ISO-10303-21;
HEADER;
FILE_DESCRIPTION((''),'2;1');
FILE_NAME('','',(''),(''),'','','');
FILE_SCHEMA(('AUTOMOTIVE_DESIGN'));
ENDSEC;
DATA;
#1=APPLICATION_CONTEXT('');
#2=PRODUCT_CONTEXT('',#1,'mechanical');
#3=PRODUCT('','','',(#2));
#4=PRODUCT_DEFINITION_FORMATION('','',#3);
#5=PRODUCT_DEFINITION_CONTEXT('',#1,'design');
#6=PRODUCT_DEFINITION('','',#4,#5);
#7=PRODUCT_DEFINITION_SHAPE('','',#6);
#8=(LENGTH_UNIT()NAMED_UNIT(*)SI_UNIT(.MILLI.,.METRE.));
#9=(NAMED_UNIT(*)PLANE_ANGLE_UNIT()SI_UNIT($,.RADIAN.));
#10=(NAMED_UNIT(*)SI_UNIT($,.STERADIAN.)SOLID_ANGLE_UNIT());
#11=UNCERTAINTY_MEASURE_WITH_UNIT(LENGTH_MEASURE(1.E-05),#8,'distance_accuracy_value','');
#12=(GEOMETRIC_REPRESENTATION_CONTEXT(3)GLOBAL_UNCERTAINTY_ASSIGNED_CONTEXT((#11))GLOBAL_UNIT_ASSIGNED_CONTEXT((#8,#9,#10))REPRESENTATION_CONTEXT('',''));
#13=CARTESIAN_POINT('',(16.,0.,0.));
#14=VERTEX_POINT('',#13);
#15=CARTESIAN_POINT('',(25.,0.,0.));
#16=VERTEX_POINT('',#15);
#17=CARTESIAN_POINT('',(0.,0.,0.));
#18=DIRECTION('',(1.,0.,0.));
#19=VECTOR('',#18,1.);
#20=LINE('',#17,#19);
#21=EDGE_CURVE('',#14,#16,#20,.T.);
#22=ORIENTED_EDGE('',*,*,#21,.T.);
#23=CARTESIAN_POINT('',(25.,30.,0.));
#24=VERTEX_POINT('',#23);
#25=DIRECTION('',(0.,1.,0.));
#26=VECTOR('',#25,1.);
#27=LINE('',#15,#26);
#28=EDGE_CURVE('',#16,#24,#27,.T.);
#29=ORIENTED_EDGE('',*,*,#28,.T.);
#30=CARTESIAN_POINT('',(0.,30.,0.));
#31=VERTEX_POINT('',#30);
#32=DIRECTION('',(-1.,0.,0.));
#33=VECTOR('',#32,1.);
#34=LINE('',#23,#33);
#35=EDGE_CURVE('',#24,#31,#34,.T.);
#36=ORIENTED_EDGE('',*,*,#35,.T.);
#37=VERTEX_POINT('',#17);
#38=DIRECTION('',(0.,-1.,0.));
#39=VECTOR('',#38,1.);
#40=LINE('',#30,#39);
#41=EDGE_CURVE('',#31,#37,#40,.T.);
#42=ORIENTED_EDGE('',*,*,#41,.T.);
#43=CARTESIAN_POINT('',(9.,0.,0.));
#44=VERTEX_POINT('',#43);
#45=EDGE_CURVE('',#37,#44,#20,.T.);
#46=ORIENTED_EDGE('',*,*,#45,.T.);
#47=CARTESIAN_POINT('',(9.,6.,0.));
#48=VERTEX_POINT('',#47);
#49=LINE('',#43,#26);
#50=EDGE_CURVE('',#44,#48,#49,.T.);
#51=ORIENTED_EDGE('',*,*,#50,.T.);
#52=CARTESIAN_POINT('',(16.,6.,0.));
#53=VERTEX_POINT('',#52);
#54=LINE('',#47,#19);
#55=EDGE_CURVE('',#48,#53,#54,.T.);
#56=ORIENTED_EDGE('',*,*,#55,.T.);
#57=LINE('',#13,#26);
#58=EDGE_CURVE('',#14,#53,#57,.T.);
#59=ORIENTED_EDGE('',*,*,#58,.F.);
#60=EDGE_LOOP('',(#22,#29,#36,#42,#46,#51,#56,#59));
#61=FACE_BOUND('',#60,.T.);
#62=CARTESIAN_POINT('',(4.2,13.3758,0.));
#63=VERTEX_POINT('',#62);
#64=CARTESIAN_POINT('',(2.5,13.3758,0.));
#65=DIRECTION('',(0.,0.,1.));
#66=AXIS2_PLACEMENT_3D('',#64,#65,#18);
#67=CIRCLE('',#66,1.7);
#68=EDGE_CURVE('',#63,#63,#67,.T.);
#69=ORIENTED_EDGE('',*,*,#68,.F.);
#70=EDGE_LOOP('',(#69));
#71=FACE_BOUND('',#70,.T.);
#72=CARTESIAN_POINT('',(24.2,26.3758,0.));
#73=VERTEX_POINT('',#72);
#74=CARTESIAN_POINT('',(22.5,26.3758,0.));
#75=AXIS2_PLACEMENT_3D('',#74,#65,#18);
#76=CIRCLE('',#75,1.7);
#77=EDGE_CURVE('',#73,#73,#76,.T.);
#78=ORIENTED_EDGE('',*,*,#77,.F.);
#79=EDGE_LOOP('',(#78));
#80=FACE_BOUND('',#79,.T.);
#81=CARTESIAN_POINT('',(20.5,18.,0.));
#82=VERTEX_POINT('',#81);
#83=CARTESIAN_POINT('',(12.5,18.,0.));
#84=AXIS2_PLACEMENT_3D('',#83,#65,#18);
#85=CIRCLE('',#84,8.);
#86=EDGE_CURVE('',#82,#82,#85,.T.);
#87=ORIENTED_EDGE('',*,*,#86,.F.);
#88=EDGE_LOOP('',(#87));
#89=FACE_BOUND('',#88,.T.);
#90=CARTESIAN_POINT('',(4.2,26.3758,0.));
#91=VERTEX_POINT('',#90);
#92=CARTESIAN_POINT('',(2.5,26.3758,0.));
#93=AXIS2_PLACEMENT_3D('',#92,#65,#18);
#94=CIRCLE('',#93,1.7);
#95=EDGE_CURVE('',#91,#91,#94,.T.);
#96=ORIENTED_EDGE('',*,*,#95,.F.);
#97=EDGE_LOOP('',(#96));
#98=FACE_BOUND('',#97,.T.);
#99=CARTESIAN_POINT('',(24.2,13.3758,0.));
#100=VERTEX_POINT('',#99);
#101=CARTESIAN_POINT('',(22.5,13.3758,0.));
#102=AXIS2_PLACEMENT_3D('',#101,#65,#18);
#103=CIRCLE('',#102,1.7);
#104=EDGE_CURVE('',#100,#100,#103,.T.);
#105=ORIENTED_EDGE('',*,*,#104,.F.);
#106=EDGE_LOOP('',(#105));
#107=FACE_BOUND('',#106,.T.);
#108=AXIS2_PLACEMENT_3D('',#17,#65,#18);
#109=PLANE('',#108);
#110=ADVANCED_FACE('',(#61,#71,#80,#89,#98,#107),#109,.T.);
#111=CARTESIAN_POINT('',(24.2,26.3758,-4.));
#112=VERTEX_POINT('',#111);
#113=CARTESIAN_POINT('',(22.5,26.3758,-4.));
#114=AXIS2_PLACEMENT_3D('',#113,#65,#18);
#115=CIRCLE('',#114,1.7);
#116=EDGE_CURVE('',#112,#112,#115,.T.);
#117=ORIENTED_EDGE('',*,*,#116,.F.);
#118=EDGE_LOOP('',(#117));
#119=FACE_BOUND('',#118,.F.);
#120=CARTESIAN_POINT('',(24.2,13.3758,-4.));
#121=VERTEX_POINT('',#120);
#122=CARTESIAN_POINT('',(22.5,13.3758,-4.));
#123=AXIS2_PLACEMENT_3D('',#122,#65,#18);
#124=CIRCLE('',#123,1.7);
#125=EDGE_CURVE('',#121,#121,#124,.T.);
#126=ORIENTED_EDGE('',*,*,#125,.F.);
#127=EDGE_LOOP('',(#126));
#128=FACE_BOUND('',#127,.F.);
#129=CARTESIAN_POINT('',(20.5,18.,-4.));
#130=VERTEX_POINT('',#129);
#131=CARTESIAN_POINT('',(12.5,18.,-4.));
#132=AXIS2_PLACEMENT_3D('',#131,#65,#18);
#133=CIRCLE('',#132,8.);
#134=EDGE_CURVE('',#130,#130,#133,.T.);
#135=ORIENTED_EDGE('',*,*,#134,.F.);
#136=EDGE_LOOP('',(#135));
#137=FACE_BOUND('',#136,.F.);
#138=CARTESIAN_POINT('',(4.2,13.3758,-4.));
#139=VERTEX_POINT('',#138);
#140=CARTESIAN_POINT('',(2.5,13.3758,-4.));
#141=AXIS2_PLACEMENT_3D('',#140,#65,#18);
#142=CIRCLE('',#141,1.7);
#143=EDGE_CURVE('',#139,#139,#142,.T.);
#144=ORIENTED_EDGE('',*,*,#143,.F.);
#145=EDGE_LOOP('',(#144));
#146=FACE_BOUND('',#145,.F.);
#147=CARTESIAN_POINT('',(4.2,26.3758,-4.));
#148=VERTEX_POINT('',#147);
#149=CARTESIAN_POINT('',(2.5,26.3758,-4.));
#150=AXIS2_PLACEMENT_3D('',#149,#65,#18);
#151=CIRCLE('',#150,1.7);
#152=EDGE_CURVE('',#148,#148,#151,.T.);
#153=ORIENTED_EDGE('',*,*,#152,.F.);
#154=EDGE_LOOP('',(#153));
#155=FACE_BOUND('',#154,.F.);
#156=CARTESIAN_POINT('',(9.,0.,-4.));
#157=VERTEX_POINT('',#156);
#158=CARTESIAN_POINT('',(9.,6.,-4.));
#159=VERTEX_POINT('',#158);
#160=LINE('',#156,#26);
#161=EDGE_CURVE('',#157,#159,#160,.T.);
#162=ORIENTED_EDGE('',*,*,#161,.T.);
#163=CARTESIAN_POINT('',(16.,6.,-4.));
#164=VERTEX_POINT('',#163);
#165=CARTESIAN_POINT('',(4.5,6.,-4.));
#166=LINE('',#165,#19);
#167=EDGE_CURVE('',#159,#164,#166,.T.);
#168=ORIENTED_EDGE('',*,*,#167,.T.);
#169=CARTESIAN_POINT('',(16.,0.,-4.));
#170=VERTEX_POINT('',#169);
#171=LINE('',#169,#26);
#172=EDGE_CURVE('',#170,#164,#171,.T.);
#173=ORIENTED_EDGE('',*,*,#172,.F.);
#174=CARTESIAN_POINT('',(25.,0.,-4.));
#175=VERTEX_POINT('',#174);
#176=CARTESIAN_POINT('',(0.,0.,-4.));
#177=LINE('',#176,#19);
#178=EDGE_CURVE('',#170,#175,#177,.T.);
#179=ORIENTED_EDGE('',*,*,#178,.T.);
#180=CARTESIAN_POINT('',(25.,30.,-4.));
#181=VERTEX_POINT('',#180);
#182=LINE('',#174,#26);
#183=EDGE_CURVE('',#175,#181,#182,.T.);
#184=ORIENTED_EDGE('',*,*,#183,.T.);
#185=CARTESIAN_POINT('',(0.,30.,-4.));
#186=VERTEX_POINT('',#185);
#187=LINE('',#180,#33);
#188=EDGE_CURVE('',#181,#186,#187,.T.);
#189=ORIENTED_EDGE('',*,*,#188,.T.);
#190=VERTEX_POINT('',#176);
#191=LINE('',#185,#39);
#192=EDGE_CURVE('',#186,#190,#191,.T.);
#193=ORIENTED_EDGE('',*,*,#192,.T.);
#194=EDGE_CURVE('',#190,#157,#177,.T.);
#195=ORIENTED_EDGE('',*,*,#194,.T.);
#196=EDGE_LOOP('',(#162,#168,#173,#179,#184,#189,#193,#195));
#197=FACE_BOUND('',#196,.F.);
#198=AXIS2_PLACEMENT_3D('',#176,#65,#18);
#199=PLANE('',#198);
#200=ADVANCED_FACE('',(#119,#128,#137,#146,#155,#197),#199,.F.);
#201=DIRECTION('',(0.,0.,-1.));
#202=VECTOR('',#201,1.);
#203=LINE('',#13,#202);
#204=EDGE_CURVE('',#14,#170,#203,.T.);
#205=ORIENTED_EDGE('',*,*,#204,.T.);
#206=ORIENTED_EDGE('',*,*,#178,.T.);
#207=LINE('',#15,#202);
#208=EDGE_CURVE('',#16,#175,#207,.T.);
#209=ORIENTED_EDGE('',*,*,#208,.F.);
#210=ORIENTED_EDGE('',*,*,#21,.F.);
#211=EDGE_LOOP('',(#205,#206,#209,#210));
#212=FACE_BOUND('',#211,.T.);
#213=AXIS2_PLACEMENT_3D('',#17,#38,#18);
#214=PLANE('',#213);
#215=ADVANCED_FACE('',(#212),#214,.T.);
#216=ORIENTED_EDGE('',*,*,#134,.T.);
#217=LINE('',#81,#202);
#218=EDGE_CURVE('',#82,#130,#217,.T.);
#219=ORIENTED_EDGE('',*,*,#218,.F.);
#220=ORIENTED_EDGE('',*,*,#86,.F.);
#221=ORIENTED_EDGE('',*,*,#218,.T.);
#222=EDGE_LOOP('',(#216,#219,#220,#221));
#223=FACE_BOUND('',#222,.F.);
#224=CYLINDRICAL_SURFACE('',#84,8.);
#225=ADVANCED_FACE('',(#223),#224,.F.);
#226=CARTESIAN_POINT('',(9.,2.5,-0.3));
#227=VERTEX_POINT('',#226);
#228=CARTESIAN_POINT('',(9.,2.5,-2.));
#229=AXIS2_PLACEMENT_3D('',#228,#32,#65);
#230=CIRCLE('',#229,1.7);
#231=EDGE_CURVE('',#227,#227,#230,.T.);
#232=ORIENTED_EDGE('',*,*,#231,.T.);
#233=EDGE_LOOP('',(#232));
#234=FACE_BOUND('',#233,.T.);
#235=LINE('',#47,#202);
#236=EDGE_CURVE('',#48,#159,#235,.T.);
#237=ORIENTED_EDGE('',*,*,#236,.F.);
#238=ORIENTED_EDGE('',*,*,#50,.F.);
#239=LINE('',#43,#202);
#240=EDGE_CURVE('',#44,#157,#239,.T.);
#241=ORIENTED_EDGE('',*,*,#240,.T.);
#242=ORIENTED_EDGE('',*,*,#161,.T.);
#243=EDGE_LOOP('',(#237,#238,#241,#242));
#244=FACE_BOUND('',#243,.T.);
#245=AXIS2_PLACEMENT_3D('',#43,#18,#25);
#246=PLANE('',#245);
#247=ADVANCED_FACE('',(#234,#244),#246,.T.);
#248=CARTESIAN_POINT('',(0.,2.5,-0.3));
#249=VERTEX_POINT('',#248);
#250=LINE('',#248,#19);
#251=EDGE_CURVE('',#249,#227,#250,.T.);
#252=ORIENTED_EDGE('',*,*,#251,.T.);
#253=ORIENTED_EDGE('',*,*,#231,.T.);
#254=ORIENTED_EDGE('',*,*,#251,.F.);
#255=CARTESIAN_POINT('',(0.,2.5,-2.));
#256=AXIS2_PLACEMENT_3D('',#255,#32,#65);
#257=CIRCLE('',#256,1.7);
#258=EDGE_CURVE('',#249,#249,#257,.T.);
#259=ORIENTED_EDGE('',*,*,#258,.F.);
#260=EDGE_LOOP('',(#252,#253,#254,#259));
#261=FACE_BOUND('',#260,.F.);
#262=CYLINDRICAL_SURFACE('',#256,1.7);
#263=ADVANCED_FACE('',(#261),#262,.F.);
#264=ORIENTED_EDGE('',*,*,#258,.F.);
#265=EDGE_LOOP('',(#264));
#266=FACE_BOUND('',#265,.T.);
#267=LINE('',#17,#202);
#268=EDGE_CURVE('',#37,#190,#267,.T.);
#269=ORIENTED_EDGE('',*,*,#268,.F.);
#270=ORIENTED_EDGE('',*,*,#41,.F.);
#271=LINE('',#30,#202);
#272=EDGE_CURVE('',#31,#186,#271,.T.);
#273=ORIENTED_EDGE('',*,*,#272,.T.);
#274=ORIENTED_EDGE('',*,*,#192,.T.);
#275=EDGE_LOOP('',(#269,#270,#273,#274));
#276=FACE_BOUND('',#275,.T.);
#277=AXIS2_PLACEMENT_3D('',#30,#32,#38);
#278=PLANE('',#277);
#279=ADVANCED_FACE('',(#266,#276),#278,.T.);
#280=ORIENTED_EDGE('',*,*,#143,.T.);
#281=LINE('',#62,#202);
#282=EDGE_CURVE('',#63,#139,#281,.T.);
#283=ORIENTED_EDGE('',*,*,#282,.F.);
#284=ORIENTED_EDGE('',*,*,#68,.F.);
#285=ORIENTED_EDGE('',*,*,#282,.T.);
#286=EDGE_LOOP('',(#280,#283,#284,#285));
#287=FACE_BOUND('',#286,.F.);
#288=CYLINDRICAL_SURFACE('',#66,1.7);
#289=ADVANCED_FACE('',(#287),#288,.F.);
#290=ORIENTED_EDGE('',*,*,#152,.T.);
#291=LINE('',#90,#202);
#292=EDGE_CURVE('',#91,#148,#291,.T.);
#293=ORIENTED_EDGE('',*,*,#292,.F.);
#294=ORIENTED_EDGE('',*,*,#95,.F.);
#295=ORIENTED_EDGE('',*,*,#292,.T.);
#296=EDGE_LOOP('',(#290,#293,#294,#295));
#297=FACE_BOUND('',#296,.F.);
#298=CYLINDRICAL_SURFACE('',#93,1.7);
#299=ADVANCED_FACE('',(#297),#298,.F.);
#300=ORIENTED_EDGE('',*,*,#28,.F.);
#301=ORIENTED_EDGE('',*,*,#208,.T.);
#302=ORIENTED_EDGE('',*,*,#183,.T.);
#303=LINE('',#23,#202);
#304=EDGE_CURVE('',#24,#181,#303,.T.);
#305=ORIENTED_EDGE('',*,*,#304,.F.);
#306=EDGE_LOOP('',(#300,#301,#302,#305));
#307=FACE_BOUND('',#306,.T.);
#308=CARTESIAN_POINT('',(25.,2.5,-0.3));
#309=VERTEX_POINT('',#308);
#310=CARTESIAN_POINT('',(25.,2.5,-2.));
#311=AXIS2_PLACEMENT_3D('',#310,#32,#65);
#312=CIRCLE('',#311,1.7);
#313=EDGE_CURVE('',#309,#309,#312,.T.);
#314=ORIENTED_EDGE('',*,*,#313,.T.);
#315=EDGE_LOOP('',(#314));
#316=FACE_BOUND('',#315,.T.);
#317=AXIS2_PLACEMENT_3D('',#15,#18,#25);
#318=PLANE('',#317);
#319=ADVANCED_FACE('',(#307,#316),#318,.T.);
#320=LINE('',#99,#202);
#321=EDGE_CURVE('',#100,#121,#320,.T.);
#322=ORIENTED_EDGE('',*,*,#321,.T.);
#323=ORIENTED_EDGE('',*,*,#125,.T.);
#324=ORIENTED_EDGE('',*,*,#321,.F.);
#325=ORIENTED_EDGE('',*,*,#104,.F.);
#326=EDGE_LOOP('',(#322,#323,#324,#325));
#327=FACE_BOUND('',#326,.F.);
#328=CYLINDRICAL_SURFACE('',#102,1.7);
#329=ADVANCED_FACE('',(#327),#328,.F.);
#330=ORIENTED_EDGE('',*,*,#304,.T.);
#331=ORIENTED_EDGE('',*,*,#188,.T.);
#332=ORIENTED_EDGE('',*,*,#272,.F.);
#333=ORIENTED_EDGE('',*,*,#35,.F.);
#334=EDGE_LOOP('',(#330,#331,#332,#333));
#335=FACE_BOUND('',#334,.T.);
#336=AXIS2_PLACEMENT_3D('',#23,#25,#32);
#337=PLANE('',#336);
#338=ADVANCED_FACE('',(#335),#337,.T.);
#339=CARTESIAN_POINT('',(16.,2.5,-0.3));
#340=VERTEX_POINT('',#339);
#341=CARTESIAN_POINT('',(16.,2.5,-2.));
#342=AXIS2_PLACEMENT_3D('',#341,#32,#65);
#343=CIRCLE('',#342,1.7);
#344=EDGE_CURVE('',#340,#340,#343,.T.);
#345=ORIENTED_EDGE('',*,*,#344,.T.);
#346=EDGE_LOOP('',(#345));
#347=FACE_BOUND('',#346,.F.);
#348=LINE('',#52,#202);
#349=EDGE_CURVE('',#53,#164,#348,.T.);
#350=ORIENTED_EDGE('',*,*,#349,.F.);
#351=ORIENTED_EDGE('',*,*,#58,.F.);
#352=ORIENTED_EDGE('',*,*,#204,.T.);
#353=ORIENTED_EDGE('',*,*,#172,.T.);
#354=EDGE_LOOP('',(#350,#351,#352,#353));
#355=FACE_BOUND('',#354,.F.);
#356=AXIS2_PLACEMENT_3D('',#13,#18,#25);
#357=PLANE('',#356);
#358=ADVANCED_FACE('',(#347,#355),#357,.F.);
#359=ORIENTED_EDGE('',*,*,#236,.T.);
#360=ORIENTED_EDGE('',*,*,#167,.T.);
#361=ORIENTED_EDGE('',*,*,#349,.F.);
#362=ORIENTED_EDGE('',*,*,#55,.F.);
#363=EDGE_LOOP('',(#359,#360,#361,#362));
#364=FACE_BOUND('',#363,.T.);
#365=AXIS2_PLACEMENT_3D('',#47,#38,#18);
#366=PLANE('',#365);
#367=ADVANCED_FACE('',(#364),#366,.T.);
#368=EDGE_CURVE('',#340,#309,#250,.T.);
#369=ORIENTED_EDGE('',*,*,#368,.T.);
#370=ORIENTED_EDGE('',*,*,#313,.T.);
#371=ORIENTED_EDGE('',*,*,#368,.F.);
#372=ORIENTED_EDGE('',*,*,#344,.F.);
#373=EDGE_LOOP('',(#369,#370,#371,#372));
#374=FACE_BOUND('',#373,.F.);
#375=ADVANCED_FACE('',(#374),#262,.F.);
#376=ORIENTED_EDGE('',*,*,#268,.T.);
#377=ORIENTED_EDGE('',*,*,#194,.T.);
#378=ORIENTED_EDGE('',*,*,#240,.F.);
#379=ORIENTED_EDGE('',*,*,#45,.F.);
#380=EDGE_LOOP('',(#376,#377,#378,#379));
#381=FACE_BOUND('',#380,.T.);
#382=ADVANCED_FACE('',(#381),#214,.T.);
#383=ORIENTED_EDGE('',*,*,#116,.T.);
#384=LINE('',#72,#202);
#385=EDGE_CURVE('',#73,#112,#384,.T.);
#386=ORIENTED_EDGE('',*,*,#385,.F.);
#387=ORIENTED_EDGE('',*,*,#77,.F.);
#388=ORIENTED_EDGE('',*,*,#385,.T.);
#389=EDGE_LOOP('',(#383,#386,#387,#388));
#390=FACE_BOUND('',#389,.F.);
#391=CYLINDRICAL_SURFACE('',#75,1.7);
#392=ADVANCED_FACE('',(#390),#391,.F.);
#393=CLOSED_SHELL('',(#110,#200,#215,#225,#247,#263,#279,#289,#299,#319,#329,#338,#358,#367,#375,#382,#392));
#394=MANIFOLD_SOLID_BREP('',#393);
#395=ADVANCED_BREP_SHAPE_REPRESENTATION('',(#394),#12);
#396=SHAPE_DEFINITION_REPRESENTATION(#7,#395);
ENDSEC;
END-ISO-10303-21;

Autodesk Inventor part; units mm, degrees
ref_plane "YZ Plane" through (0, 0, 0) normal (1, 0, 0) x (0, 1, 0)
ref_plane "XZ Plane" through (0, 0, 0) normal (0, 1, 0) x (-1, 0, 0)
ref_plane "XY Plane" through (0, 0, 0) normal (0, 0, 1) x (1, 0, 0)
sketch "Skizze1" plane through (0, 0, 0) normal (0, 0, 1) x (1, 0, 0)
  line L0 (0, 0) -> (25, 0)
  line L1 (25, 0) -> (25, 30)
  line L2 (25, 30) -> (0, 30)
  line L3 (0, 30) -> (0, 0)
  dimension "d0" = 30
  dimension "d1" = 25
extrude "Extrusion1" add sketch "Skizze1" against normal blind 4
sketch "Skizze2" plane through (0, 0, 0) normal (0, 0, 1) x (1, 0, 0)
  circle A0 centre (12.5, 18) radius 8
  line L0 (25, 0) -> (25, 30) projected
  line L1 (0, 0) -> (25, 0) projected
  dimension "d4" = 16
  dimension "d5" = 12.5
  dimension "d6" = 18
extrude "Extrusion2" cut sketch "Skizze2" against normal blind 10
sketch "Skizze4" plane through (0, 0, 0) normal (0, 0, 1) x (1, 0, 0)
  line L0 (2.5, 13.3758) -> (22.5, 13.3758) construction
  line L1 (22.5, 13.3758) -> (22.5, 26.3758) construction
  line L2 (22.5, 26.3758) -> (2.5, 26.3758) construction
  line L3 (2.5, 26.3758) -> (2.5, 13.3758) construction
  line L4 (25, 0) -> (25, 30) construction
  circle A0 centre (2.5, 26.3758) radius 1.7
  circle A1 centre (22.5, 26.3758) radius 1.7
  circle A2 centre (22.5, 13.3758) radius 1.7
  circle A3 centre (2.5, 13.3758) radius 1.7
  point P0 (0, 0)
  point P1 (25, 3.0001)
  dimension "d12" = 20
  dimension "d13" = 13
  dimension "d14" = 2.5
  dimension "d15" = 3.4
  dimension "d16" = 3.4
  dimension "d17" = 3.4
  dimension "d18" = 3.4
extrude "Extrusion4" cut sketch "Skizze4" against normal blind 10
sketch "Skizze6" plane through (0, 0, 0) normal (0, 0, 1) x (1, 0, 0)
  line L0 (25, 0) -> (0, 0) projected
  line L1 (25, 0) -> (16, 0)
  line L2 (16, 0) -> (16, 6)
  line L3 (16, 6) -> (25, 6)
  line L4 (25, 6) -> (25, 0)
  line L5 (0, 0) -> (9, 0)
  line L6 (9, 0) -> (9, 6)
  line L7 (9, 6) -> (0, 6)
  line L8 (0, 6) -> (0, 0)
  line L9 (9, 6) -> (16, 6)
  line L10 (16, 6) -> (16, 0)
  line L11 (16, 0) -> (9, 0)
  line L12 (9, 0) -> (9, 6)
  dimension "d21" = 9
  dimension "d22" = 9
  dimension "d23" = 6
extrude "Extrusion5" cut sketch "Skizze6" against normal blind 10 contours L0 L6 L9 L2
sketch "Skizze7" plane through (0, 0, 0) normal (-1, 0, 0) x (0, 0, 1)
  circle A0 centre (-2, 2.5) radius 1.7
  line L0 (0, 30) -> (0, 0) projected
  line L1 (0, 0) -> (-4, 0) projected
  dimension "d26" = 3.4
  dimension "d27" = 2
  dimension "d28" = 2.5
extrude "Extrusion6" cut sketch "Skizze7" against normal blind 40
properties part number "kamera ot"
